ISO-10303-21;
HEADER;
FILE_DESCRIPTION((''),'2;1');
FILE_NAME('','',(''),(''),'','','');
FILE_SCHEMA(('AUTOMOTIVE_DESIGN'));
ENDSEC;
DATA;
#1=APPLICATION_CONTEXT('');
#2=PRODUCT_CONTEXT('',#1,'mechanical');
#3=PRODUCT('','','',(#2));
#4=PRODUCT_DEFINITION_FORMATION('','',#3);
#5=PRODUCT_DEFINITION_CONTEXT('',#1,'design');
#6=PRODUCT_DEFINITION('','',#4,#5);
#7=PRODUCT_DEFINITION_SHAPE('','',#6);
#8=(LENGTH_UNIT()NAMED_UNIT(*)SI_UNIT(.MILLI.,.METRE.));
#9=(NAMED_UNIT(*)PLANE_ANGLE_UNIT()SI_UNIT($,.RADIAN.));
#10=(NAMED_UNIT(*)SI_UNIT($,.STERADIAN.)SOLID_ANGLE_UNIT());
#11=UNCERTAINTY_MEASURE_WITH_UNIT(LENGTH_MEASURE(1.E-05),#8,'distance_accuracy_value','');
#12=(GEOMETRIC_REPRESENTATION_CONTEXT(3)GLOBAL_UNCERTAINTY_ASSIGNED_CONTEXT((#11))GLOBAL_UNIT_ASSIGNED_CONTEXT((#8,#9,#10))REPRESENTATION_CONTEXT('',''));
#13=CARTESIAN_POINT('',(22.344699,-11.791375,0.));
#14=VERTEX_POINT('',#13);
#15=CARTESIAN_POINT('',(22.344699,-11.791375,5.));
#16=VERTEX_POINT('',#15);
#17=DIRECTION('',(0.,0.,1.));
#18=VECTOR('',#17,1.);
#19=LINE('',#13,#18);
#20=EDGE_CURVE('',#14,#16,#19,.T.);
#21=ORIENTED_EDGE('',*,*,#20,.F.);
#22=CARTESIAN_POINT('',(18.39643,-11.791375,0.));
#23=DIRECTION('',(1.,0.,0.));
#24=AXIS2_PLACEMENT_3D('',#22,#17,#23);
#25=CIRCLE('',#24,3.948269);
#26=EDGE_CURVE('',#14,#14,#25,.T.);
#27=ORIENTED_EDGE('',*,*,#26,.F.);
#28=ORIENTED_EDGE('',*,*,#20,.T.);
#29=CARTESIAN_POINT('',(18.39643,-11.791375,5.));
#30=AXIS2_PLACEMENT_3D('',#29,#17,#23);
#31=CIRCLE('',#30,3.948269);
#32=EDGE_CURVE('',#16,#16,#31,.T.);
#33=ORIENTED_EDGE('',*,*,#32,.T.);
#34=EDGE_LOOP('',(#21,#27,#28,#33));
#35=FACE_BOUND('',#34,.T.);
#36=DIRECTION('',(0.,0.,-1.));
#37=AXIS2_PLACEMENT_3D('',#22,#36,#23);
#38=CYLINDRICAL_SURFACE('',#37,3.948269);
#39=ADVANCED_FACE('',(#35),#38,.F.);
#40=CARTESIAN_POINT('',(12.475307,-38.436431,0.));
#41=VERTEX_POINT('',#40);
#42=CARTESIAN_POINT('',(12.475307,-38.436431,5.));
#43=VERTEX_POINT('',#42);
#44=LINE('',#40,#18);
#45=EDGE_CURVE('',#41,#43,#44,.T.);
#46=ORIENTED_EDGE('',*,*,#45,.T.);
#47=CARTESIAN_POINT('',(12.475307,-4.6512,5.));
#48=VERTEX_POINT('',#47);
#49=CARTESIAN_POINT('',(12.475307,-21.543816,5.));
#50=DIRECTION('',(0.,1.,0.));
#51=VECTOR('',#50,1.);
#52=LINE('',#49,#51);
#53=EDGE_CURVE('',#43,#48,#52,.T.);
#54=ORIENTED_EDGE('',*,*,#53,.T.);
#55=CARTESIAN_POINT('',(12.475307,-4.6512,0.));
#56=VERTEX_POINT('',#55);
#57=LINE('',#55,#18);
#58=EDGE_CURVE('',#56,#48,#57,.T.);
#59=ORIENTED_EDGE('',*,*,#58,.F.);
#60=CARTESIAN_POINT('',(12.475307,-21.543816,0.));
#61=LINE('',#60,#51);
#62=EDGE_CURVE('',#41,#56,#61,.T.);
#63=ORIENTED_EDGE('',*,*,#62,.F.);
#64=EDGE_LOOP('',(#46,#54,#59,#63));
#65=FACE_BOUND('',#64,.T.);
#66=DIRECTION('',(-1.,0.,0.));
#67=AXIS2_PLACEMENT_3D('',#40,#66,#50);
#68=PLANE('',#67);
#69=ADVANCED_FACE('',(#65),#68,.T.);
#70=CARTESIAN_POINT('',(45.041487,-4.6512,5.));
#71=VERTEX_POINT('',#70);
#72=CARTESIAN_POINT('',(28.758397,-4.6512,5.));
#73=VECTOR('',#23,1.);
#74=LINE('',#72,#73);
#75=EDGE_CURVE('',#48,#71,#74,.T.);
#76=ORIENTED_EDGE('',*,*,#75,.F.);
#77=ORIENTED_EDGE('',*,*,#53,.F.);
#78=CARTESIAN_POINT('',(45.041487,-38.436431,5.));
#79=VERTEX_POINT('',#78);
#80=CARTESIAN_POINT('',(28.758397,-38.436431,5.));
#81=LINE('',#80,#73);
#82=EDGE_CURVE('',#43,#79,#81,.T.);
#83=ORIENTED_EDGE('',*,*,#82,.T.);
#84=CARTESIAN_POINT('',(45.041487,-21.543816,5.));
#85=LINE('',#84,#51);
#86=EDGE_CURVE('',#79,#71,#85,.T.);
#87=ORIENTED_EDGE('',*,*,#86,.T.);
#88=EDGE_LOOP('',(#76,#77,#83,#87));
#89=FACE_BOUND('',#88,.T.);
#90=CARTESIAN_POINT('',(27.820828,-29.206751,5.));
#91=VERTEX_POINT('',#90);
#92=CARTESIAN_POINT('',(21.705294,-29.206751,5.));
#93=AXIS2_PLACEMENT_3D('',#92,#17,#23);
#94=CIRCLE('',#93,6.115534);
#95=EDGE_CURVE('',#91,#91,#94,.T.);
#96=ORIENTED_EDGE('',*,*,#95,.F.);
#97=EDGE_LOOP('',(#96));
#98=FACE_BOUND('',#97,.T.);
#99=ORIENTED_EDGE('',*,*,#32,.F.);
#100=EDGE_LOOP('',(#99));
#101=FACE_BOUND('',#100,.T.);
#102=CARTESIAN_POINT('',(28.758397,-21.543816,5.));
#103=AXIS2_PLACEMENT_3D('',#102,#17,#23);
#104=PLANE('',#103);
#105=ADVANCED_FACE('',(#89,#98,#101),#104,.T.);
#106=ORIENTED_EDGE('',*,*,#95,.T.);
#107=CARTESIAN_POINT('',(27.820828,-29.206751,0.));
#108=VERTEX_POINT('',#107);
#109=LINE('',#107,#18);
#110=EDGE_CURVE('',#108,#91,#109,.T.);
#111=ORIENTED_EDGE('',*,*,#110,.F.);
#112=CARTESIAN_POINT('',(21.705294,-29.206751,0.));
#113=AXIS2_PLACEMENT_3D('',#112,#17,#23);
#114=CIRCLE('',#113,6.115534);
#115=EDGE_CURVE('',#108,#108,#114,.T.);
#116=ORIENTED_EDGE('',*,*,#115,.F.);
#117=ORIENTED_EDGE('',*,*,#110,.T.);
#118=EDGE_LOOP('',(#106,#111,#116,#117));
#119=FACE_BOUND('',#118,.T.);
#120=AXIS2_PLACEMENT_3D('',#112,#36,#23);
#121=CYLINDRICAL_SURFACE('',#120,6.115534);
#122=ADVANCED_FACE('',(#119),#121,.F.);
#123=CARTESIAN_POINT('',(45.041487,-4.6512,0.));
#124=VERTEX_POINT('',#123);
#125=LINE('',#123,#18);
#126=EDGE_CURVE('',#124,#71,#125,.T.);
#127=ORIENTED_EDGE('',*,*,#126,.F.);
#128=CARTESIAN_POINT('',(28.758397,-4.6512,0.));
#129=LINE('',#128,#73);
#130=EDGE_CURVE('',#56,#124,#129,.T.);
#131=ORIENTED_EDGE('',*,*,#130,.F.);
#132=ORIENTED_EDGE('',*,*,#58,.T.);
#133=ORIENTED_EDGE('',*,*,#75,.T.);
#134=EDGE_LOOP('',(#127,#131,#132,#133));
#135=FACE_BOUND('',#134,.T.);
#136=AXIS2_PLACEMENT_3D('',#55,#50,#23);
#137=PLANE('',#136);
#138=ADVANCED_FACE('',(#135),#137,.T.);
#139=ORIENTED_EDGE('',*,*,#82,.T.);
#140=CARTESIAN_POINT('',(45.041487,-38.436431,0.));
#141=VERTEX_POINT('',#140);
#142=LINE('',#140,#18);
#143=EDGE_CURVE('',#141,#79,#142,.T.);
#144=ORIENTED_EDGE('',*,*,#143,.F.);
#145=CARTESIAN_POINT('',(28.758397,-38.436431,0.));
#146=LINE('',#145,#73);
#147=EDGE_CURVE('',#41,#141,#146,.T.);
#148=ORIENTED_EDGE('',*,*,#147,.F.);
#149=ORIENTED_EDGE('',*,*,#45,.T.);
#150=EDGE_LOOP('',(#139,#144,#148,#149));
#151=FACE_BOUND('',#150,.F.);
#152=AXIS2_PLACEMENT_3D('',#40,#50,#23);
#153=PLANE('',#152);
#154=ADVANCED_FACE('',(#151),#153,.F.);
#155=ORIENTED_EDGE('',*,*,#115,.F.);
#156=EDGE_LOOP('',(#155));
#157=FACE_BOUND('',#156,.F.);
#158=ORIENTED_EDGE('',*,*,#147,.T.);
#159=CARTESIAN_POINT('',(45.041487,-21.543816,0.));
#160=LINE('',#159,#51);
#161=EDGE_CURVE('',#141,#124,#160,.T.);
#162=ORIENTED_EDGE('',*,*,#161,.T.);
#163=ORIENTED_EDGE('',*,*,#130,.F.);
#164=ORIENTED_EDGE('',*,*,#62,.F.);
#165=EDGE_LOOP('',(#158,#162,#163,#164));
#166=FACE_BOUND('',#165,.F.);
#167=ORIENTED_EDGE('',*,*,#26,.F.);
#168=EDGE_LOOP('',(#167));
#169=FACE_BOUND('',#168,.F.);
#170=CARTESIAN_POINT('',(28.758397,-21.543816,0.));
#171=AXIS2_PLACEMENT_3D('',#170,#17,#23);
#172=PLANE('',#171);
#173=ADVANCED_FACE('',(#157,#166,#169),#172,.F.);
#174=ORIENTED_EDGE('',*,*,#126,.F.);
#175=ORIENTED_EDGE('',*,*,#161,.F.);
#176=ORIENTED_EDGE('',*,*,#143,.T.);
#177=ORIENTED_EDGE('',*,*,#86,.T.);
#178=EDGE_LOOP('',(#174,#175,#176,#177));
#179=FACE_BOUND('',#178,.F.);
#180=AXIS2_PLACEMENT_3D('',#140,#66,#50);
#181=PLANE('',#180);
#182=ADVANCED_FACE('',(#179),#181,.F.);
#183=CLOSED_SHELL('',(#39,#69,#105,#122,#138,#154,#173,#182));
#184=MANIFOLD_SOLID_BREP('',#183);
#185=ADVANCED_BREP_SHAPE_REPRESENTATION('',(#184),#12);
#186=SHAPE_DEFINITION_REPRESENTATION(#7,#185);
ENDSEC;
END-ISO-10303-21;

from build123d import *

# Parameters (mm, degrees)
F0_W     = 32.56618
F0_H     = 33.785231
F0_R     = 6.115534
F0_R_2   = 3.948269
F0_R_3   = 3.382135
F1_DEPTH = 5


with BuildPart() as f1:
    # F0 (on Top) → F1 (new body)
    with BuildSketch(Plane.XY):
        with Locations((28.758397, -21.543816)):
            Rectangle(F0_W, F0_H)
        with Locations((21.705294, -29.206751)):
            Circle(F0_R, mode=Mode.SUBTRACT)
        with Locations((18.39643, -11.791375)):
            Circle(F0_R_2, mode=Mode.SUBTRACT)
        with Locations((33.649027, -21.098301)):
            Circle(F0_R_3, mode=Mode.SUBTRACT)
        with Locations((33.649027, -21.098301)):
            Circle(F0_R_3)
    extrude(amount=F1_DEPTH)


solid = f1.part
